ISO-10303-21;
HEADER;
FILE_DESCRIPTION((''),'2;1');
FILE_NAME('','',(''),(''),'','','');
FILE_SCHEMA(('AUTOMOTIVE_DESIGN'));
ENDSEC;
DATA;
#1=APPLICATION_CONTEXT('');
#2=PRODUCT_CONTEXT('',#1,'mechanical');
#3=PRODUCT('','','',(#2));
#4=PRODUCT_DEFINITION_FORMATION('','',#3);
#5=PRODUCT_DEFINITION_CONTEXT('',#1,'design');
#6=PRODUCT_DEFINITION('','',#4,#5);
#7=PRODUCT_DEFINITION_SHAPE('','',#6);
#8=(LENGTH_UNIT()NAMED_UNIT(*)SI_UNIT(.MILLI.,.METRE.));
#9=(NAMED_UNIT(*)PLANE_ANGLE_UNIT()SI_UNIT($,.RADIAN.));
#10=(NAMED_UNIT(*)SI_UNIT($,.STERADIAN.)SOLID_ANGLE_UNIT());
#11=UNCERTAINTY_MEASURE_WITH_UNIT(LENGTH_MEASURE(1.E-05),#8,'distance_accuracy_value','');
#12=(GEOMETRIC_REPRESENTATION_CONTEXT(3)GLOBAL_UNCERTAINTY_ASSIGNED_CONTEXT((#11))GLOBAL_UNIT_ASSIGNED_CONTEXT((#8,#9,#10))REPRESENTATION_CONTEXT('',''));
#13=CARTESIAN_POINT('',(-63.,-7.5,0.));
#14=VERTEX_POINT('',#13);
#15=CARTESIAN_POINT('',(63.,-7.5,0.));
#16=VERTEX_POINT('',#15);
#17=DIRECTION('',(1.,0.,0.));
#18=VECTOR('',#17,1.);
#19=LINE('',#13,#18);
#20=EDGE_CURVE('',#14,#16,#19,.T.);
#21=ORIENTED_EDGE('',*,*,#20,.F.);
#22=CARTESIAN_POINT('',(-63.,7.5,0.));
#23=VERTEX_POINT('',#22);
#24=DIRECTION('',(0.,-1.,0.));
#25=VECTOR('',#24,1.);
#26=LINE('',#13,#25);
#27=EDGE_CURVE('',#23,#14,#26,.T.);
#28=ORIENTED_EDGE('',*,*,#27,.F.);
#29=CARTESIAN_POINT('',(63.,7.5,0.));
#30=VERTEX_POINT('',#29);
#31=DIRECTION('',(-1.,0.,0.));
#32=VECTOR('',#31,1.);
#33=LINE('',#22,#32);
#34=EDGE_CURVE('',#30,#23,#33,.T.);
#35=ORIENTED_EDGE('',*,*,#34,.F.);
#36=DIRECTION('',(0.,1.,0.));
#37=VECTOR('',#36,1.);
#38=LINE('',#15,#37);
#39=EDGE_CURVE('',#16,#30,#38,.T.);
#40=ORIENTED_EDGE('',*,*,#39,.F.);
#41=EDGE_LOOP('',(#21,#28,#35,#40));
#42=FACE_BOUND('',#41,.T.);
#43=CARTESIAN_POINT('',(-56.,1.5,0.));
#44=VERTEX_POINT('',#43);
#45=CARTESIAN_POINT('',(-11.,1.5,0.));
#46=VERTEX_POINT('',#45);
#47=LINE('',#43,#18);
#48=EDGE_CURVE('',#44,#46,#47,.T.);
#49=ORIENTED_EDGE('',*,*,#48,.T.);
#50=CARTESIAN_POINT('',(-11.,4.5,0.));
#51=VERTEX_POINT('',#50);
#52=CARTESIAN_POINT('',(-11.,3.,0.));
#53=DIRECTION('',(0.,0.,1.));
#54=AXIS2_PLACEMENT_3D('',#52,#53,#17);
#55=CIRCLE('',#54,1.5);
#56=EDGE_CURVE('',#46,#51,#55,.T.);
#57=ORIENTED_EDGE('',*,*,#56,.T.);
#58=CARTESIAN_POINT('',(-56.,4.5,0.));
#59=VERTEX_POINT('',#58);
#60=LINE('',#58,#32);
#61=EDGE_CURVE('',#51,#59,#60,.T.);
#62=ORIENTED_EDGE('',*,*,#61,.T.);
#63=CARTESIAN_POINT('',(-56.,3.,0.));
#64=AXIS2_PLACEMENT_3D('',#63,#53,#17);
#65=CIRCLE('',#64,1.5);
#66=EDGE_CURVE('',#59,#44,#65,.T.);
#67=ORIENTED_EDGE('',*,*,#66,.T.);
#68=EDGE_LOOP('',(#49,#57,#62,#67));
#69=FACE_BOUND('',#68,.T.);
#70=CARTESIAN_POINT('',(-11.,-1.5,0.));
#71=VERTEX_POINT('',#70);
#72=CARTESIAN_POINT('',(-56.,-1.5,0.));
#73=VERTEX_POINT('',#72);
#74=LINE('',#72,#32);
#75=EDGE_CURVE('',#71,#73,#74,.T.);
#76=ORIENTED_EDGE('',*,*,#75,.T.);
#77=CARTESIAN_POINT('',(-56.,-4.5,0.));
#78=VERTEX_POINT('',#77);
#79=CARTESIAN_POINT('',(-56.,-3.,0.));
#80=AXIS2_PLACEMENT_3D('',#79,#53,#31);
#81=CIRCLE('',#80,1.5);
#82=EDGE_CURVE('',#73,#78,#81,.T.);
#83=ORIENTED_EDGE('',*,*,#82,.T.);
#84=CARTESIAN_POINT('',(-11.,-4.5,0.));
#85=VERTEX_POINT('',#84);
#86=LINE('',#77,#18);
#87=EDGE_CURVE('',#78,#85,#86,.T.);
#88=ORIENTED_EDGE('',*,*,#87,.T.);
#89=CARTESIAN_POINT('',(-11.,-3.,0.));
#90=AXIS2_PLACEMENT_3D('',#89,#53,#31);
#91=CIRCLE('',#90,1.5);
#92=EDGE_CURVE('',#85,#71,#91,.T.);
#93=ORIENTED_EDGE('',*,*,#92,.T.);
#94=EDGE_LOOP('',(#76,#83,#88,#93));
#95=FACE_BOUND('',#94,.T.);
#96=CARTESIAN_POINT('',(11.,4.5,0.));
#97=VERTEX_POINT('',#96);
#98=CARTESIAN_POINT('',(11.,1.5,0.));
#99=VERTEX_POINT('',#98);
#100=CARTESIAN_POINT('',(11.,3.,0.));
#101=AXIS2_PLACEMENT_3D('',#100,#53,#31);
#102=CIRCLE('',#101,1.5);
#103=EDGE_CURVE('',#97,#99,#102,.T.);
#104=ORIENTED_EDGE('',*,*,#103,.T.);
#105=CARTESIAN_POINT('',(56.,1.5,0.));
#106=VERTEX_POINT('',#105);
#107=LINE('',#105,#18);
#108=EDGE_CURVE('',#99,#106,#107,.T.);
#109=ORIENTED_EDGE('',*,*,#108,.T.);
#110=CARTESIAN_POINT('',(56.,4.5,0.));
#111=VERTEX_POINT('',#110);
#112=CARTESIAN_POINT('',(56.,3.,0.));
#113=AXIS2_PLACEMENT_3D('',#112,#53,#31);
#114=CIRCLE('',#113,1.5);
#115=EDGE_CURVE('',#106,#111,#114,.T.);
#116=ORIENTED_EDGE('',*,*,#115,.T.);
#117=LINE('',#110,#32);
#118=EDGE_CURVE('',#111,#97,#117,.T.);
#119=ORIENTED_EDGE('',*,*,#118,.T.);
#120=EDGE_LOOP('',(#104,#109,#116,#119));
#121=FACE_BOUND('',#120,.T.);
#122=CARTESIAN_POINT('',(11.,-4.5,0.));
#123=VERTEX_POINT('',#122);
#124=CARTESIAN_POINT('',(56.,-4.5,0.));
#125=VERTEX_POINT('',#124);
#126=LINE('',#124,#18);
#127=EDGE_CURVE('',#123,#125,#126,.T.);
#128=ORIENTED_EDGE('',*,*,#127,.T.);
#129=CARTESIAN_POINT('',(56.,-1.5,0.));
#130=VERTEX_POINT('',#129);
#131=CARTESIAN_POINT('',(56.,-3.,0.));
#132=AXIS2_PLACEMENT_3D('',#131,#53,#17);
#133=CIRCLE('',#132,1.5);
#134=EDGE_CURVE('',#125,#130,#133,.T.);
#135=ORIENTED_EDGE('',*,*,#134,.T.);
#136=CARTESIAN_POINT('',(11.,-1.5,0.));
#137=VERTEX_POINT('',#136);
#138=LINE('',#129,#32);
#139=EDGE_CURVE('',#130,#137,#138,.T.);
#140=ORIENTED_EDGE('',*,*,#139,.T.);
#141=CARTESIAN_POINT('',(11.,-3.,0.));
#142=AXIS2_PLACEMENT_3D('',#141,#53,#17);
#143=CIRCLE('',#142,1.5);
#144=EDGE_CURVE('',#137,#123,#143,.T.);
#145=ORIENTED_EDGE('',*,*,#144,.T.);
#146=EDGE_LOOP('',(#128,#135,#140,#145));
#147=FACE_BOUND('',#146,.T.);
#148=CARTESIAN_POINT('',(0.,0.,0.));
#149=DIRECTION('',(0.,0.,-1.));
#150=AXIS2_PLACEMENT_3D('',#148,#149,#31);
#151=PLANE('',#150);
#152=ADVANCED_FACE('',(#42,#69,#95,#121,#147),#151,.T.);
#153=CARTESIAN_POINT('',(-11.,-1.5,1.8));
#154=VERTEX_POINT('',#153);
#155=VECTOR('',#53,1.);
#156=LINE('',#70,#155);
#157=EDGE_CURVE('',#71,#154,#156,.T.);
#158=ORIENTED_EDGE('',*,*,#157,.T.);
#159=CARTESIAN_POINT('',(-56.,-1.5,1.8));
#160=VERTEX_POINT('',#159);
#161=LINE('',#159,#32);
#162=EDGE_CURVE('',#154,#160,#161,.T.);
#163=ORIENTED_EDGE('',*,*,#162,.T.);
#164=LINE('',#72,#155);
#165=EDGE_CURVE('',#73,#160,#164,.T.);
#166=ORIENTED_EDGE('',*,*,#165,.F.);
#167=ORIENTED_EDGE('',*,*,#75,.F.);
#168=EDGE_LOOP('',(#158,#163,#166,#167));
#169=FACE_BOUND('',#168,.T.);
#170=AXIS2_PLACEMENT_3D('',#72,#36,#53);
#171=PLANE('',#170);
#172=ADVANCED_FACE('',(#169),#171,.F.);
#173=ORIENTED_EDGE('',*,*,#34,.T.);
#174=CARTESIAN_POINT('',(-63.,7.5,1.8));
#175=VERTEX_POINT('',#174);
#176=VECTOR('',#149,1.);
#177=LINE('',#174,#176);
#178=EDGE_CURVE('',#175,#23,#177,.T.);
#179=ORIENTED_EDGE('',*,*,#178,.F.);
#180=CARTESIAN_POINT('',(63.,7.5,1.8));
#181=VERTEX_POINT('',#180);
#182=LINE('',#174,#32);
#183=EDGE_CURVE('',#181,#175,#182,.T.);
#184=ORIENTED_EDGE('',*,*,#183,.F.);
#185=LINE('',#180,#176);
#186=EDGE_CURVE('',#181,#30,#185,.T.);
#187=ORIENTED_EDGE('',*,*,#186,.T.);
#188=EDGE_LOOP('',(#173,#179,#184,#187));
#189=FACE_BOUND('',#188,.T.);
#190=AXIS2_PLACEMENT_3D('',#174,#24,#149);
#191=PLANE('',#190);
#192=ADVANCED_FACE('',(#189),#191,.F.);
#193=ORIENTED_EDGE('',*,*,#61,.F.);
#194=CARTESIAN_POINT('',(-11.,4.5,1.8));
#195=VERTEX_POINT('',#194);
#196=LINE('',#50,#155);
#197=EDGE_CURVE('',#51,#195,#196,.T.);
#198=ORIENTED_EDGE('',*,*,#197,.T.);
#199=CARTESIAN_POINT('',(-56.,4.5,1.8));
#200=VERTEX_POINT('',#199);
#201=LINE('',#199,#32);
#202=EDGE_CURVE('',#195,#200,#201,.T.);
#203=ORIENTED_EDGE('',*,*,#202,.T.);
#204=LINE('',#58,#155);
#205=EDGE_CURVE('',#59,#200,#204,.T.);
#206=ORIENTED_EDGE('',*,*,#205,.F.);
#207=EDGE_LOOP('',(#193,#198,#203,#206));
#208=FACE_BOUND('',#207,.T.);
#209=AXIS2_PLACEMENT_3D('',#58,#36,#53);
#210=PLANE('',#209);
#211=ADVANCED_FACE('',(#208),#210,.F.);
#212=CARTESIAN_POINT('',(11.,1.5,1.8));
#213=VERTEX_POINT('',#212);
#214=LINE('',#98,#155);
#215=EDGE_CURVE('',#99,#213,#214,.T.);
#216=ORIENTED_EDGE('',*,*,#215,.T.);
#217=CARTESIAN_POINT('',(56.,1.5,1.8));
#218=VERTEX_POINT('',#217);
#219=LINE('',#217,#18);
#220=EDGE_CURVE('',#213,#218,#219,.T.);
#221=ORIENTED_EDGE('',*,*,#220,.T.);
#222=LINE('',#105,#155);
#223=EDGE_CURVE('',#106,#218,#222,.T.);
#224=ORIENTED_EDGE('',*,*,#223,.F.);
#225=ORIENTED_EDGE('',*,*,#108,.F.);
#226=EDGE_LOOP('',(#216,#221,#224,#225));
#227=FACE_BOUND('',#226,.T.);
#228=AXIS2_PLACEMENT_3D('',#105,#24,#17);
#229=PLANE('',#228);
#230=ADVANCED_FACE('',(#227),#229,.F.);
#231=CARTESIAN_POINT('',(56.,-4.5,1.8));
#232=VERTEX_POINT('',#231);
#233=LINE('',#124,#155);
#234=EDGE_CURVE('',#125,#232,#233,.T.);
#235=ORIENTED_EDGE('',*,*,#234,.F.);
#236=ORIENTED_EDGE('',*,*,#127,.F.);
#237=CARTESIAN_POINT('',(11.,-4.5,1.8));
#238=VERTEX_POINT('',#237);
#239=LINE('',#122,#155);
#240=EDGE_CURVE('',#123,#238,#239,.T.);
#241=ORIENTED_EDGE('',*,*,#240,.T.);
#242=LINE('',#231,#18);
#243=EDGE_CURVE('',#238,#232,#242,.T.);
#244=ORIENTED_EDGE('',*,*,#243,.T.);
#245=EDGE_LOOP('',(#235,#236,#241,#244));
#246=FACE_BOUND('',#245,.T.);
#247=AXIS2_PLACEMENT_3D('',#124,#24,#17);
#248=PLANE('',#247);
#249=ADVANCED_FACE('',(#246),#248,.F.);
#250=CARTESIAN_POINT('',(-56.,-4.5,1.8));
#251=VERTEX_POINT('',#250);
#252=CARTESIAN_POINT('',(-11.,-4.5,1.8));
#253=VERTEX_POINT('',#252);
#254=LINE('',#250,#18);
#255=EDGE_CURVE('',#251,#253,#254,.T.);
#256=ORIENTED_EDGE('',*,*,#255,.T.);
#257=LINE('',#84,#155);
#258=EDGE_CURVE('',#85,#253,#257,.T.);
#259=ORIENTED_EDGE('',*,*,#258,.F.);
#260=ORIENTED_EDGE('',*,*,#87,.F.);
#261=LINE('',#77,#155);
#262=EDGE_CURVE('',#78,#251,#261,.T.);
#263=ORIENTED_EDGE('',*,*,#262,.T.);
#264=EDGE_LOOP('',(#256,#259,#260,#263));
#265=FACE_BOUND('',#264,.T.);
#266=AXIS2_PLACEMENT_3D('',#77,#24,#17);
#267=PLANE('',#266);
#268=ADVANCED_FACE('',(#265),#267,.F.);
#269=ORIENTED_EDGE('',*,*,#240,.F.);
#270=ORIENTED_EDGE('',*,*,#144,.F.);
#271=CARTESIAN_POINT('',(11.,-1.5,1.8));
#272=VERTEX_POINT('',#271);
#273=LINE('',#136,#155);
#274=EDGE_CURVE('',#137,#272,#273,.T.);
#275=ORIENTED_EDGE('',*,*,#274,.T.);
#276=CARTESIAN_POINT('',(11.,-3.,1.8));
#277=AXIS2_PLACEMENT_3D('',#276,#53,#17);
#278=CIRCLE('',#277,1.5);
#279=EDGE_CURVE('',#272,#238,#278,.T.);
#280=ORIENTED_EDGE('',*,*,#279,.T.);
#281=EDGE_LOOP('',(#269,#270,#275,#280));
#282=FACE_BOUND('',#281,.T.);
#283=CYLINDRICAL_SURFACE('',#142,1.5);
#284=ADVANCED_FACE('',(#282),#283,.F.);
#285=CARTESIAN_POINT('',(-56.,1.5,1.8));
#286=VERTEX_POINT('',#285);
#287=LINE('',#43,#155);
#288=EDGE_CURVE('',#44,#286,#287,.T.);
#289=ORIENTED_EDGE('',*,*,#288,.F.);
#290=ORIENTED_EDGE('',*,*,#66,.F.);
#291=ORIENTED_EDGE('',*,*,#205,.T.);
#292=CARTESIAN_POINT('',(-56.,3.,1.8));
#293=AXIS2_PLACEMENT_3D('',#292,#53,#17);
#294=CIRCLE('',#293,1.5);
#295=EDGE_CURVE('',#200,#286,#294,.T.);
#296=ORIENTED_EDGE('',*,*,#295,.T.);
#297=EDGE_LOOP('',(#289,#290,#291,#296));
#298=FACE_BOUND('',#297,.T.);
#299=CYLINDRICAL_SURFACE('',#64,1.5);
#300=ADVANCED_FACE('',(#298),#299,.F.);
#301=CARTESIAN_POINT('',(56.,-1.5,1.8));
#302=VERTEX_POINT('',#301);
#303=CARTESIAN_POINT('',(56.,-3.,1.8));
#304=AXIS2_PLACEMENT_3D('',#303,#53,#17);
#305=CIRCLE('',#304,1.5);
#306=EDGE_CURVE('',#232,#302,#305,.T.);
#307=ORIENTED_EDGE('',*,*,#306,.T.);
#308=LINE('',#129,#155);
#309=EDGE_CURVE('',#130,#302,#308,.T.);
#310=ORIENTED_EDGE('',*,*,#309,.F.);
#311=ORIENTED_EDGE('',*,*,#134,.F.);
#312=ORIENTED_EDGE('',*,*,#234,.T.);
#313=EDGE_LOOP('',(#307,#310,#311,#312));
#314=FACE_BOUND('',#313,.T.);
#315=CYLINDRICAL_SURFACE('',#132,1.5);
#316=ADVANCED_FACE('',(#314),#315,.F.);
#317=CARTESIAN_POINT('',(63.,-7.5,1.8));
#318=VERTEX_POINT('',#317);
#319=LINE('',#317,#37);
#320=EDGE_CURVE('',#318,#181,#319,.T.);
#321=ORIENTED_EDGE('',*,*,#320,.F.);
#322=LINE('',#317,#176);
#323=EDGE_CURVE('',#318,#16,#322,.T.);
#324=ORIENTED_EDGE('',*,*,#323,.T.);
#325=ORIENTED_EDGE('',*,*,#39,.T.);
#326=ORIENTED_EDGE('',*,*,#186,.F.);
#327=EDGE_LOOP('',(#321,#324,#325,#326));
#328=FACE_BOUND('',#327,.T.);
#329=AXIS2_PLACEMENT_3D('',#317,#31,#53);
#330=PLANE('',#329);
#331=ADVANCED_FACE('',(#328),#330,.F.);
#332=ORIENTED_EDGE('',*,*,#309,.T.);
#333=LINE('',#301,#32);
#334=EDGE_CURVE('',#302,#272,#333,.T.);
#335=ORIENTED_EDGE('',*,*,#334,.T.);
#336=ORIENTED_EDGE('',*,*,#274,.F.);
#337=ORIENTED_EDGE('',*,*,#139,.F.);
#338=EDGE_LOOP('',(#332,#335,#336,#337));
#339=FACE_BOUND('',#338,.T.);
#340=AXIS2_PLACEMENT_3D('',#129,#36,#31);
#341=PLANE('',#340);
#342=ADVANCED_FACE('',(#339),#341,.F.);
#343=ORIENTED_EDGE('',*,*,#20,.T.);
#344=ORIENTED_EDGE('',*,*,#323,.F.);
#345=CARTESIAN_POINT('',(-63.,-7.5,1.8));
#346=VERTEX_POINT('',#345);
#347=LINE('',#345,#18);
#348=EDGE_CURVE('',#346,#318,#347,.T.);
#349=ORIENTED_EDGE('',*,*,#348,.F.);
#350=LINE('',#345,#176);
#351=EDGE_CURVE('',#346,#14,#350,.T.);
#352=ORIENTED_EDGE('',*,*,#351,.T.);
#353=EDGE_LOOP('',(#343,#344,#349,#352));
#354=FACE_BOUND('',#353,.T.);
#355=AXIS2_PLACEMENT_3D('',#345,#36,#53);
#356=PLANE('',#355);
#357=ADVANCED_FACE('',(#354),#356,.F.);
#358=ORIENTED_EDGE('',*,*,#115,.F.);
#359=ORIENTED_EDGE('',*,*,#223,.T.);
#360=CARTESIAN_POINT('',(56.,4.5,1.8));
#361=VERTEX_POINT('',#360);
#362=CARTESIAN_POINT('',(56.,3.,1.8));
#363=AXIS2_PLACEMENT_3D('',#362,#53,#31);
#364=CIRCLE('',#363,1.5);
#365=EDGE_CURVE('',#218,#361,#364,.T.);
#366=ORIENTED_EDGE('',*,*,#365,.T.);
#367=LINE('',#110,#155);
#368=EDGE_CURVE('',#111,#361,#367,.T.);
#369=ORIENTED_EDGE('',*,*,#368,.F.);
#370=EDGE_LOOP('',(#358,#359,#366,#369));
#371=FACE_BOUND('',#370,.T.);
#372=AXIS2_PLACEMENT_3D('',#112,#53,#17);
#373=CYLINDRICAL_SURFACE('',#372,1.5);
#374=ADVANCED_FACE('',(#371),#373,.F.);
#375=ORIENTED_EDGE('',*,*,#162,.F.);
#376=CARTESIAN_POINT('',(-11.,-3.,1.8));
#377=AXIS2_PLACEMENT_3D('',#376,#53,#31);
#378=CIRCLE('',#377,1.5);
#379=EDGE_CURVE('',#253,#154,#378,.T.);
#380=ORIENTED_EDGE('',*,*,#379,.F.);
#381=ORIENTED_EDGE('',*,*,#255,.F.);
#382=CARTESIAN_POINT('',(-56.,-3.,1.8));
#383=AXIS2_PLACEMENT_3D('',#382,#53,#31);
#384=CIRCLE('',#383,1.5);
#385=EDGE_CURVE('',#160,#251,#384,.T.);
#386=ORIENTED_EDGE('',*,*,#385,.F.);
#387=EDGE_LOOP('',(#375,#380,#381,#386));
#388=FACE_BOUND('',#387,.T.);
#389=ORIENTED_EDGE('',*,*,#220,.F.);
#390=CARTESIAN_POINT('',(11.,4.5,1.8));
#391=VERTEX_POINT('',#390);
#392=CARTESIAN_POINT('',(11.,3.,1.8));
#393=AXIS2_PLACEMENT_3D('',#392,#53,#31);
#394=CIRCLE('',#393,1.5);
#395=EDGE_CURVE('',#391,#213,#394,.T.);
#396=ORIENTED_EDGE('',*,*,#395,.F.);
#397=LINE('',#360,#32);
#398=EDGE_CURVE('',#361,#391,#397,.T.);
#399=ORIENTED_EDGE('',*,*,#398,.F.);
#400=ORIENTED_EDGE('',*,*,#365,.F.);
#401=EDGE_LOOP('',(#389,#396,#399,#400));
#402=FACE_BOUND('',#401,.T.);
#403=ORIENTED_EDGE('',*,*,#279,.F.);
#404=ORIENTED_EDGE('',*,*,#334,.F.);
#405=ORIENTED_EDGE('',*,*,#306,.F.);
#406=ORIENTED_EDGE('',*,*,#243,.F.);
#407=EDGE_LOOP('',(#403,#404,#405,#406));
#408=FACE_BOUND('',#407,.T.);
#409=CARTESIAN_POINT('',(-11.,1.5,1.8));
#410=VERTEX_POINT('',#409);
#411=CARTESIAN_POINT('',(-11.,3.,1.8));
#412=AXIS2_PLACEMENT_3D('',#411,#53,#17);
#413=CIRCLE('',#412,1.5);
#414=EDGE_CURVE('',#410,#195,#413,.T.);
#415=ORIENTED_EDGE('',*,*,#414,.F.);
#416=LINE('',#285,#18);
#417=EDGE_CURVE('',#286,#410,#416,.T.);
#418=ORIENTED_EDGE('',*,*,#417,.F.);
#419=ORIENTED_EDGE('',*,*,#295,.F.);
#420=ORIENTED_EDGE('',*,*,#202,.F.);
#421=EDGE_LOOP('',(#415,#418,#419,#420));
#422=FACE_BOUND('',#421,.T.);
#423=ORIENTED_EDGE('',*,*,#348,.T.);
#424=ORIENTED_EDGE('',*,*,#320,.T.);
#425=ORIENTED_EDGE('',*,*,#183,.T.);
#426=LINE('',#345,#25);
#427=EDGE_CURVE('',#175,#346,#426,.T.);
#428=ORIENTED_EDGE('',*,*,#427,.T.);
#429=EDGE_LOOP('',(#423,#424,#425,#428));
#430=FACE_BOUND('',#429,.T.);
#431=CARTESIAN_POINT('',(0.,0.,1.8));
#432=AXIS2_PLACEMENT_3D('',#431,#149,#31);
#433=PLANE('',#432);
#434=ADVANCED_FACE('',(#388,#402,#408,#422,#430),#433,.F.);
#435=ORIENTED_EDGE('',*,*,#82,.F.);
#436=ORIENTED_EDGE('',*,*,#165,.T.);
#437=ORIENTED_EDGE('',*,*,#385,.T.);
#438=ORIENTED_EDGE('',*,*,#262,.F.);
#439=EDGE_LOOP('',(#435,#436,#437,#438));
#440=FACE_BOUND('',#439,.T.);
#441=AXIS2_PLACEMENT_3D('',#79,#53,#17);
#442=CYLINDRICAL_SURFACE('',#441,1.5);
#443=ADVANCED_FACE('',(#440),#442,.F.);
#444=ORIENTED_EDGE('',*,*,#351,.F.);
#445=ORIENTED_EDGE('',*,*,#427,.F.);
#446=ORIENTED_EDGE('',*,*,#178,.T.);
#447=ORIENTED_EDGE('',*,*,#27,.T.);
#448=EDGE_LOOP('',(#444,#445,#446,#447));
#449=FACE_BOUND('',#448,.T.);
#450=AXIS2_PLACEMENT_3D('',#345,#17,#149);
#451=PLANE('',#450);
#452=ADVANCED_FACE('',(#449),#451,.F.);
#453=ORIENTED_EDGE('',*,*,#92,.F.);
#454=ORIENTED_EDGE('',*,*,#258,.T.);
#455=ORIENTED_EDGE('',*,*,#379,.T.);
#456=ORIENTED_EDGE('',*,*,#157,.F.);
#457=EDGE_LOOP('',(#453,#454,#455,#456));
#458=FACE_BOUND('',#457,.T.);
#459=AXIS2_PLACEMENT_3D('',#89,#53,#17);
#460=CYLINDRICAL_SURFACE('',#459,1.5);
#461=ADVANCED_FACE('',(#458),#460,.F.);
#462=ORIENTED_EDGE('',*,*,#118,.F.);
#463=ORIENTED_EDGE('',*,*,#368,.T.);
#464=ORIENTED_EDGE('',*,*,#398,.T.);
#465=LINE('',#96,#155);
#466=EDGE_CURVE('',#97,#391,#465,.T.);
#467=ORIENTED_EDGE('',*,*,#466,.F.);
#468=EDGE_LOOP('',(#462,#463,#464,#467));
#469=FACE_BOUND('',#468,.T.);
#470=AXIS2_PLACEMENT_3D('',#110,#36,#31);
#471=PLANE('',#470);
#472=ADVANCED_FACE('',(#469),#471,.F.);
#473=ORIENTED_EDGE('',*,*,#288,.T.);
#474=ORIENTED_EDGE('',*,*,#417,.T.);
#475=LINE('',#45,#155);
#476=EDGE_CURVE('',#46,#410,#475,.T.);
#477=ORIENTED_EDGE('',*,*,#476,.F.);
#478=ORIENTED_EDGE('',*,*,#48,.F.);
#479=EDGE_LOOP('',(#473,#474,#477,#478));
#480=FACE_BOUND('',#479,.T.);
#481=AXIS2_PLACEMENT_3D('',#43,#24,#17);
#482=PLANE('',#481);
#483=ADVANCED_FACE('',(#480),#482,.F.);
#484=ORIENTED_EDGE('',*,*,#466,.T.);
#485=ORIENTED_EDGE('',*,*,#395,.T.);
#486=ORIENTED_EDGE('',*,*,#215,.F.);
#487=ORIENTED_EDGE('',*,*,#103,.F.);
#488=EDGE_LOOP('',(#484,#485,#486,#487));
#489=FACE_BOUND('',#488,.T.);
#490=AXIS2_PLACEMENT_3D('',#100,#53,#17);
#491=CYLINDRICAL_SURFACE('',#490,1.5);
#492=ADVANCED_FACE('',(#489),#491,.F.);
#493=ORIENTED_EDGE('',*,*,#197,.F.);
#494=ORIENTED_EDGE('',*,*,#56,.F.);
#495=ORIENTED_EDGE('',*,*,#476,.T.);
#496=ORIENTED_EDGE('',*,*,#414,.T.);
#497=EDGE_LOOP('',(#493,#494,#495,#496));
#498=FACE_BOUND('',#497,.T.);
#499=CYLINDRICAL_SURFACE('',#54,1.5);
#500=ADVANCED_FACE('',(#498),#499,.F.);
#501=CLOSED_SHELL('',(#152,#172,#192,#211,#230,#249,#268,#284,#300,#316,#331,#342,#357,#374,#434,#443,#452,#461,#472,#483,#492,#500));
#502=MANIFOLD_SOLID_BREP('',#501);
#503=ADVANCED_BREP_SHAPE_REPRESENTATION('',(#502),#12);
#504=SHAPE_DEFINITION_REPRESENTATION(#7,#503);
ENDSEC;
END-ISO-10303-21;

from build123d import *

# Parameters (mm, degrees)
ESBO_O1_W                = 126
ESBO_O1_H                = 15
RESSALTO_EXTRUS_O1_DEPTH = 1.8
CORTE_EXTRUS_O1_DEPTH    = 64.470386796


with BuildPart() as part:
    # Esboço1 → Ressalto-extrusão1 (new body)
    with BuildSketch(Plane.XY):
        Rectangle(ESBO_O1_W, ESBO_O1_H)
    extrude(amount=RESSALTO_EXTRUS_O1_DEPTH)

    # Esboço2 → Corte-extrusão1 (cut, through all)
    with BuildSketch(Plane.XY.offset(1.8)):
        with BuildLine():
            Line((-56, 4.5), (-11, 4.5))
            ThreePointArc((-11, 4.5), (-9.5, 3), (-11, 1.5))
            Line((-11, 1.5), (-56, 1.5))
            ThreePointArc((-56, 1.5), (-57.5, 3), (-56, 4.5))
        make_face()
        with BuildLine():
            Line((-56, -4.5), (-11, -4.5))
            ThreePointArc((-11, -4.5), (-9.5, -3), (-11, -1.5))
            Line((-11, -1.5), (-56, -1.5))
            ThreePointArc((-56, -1.5), (-57.5, -3), (-56, -4.5))
        make_face()
        with BuildLine():
            Line((56, -4.5), (11, -4.5))
            ThreePointArc((11, -4.5), (9.5, -3), (11, -1.5))
            Line((11, -1.5), (56, -1.5))
            ThreePointArc((56, -1.5), (57.5, -3), (56, -4.5))
        make_face()
        with BuildLine():
            Line((56, 4.5), (11, 4.5))
            ThreePointArc((11, 4.5), (9.5, 3), (11, 1.5))
            Line((11, 1.5), (56, 1.5))
            ThreePointArc((56, 1.5), (57.5, 3), (56, 4.5))
        make_face()
    extrude(amount=-CORTE_EXTRUS_O1_DEPTH, mode=Mode.SUBTRACT)


solid = part.part
